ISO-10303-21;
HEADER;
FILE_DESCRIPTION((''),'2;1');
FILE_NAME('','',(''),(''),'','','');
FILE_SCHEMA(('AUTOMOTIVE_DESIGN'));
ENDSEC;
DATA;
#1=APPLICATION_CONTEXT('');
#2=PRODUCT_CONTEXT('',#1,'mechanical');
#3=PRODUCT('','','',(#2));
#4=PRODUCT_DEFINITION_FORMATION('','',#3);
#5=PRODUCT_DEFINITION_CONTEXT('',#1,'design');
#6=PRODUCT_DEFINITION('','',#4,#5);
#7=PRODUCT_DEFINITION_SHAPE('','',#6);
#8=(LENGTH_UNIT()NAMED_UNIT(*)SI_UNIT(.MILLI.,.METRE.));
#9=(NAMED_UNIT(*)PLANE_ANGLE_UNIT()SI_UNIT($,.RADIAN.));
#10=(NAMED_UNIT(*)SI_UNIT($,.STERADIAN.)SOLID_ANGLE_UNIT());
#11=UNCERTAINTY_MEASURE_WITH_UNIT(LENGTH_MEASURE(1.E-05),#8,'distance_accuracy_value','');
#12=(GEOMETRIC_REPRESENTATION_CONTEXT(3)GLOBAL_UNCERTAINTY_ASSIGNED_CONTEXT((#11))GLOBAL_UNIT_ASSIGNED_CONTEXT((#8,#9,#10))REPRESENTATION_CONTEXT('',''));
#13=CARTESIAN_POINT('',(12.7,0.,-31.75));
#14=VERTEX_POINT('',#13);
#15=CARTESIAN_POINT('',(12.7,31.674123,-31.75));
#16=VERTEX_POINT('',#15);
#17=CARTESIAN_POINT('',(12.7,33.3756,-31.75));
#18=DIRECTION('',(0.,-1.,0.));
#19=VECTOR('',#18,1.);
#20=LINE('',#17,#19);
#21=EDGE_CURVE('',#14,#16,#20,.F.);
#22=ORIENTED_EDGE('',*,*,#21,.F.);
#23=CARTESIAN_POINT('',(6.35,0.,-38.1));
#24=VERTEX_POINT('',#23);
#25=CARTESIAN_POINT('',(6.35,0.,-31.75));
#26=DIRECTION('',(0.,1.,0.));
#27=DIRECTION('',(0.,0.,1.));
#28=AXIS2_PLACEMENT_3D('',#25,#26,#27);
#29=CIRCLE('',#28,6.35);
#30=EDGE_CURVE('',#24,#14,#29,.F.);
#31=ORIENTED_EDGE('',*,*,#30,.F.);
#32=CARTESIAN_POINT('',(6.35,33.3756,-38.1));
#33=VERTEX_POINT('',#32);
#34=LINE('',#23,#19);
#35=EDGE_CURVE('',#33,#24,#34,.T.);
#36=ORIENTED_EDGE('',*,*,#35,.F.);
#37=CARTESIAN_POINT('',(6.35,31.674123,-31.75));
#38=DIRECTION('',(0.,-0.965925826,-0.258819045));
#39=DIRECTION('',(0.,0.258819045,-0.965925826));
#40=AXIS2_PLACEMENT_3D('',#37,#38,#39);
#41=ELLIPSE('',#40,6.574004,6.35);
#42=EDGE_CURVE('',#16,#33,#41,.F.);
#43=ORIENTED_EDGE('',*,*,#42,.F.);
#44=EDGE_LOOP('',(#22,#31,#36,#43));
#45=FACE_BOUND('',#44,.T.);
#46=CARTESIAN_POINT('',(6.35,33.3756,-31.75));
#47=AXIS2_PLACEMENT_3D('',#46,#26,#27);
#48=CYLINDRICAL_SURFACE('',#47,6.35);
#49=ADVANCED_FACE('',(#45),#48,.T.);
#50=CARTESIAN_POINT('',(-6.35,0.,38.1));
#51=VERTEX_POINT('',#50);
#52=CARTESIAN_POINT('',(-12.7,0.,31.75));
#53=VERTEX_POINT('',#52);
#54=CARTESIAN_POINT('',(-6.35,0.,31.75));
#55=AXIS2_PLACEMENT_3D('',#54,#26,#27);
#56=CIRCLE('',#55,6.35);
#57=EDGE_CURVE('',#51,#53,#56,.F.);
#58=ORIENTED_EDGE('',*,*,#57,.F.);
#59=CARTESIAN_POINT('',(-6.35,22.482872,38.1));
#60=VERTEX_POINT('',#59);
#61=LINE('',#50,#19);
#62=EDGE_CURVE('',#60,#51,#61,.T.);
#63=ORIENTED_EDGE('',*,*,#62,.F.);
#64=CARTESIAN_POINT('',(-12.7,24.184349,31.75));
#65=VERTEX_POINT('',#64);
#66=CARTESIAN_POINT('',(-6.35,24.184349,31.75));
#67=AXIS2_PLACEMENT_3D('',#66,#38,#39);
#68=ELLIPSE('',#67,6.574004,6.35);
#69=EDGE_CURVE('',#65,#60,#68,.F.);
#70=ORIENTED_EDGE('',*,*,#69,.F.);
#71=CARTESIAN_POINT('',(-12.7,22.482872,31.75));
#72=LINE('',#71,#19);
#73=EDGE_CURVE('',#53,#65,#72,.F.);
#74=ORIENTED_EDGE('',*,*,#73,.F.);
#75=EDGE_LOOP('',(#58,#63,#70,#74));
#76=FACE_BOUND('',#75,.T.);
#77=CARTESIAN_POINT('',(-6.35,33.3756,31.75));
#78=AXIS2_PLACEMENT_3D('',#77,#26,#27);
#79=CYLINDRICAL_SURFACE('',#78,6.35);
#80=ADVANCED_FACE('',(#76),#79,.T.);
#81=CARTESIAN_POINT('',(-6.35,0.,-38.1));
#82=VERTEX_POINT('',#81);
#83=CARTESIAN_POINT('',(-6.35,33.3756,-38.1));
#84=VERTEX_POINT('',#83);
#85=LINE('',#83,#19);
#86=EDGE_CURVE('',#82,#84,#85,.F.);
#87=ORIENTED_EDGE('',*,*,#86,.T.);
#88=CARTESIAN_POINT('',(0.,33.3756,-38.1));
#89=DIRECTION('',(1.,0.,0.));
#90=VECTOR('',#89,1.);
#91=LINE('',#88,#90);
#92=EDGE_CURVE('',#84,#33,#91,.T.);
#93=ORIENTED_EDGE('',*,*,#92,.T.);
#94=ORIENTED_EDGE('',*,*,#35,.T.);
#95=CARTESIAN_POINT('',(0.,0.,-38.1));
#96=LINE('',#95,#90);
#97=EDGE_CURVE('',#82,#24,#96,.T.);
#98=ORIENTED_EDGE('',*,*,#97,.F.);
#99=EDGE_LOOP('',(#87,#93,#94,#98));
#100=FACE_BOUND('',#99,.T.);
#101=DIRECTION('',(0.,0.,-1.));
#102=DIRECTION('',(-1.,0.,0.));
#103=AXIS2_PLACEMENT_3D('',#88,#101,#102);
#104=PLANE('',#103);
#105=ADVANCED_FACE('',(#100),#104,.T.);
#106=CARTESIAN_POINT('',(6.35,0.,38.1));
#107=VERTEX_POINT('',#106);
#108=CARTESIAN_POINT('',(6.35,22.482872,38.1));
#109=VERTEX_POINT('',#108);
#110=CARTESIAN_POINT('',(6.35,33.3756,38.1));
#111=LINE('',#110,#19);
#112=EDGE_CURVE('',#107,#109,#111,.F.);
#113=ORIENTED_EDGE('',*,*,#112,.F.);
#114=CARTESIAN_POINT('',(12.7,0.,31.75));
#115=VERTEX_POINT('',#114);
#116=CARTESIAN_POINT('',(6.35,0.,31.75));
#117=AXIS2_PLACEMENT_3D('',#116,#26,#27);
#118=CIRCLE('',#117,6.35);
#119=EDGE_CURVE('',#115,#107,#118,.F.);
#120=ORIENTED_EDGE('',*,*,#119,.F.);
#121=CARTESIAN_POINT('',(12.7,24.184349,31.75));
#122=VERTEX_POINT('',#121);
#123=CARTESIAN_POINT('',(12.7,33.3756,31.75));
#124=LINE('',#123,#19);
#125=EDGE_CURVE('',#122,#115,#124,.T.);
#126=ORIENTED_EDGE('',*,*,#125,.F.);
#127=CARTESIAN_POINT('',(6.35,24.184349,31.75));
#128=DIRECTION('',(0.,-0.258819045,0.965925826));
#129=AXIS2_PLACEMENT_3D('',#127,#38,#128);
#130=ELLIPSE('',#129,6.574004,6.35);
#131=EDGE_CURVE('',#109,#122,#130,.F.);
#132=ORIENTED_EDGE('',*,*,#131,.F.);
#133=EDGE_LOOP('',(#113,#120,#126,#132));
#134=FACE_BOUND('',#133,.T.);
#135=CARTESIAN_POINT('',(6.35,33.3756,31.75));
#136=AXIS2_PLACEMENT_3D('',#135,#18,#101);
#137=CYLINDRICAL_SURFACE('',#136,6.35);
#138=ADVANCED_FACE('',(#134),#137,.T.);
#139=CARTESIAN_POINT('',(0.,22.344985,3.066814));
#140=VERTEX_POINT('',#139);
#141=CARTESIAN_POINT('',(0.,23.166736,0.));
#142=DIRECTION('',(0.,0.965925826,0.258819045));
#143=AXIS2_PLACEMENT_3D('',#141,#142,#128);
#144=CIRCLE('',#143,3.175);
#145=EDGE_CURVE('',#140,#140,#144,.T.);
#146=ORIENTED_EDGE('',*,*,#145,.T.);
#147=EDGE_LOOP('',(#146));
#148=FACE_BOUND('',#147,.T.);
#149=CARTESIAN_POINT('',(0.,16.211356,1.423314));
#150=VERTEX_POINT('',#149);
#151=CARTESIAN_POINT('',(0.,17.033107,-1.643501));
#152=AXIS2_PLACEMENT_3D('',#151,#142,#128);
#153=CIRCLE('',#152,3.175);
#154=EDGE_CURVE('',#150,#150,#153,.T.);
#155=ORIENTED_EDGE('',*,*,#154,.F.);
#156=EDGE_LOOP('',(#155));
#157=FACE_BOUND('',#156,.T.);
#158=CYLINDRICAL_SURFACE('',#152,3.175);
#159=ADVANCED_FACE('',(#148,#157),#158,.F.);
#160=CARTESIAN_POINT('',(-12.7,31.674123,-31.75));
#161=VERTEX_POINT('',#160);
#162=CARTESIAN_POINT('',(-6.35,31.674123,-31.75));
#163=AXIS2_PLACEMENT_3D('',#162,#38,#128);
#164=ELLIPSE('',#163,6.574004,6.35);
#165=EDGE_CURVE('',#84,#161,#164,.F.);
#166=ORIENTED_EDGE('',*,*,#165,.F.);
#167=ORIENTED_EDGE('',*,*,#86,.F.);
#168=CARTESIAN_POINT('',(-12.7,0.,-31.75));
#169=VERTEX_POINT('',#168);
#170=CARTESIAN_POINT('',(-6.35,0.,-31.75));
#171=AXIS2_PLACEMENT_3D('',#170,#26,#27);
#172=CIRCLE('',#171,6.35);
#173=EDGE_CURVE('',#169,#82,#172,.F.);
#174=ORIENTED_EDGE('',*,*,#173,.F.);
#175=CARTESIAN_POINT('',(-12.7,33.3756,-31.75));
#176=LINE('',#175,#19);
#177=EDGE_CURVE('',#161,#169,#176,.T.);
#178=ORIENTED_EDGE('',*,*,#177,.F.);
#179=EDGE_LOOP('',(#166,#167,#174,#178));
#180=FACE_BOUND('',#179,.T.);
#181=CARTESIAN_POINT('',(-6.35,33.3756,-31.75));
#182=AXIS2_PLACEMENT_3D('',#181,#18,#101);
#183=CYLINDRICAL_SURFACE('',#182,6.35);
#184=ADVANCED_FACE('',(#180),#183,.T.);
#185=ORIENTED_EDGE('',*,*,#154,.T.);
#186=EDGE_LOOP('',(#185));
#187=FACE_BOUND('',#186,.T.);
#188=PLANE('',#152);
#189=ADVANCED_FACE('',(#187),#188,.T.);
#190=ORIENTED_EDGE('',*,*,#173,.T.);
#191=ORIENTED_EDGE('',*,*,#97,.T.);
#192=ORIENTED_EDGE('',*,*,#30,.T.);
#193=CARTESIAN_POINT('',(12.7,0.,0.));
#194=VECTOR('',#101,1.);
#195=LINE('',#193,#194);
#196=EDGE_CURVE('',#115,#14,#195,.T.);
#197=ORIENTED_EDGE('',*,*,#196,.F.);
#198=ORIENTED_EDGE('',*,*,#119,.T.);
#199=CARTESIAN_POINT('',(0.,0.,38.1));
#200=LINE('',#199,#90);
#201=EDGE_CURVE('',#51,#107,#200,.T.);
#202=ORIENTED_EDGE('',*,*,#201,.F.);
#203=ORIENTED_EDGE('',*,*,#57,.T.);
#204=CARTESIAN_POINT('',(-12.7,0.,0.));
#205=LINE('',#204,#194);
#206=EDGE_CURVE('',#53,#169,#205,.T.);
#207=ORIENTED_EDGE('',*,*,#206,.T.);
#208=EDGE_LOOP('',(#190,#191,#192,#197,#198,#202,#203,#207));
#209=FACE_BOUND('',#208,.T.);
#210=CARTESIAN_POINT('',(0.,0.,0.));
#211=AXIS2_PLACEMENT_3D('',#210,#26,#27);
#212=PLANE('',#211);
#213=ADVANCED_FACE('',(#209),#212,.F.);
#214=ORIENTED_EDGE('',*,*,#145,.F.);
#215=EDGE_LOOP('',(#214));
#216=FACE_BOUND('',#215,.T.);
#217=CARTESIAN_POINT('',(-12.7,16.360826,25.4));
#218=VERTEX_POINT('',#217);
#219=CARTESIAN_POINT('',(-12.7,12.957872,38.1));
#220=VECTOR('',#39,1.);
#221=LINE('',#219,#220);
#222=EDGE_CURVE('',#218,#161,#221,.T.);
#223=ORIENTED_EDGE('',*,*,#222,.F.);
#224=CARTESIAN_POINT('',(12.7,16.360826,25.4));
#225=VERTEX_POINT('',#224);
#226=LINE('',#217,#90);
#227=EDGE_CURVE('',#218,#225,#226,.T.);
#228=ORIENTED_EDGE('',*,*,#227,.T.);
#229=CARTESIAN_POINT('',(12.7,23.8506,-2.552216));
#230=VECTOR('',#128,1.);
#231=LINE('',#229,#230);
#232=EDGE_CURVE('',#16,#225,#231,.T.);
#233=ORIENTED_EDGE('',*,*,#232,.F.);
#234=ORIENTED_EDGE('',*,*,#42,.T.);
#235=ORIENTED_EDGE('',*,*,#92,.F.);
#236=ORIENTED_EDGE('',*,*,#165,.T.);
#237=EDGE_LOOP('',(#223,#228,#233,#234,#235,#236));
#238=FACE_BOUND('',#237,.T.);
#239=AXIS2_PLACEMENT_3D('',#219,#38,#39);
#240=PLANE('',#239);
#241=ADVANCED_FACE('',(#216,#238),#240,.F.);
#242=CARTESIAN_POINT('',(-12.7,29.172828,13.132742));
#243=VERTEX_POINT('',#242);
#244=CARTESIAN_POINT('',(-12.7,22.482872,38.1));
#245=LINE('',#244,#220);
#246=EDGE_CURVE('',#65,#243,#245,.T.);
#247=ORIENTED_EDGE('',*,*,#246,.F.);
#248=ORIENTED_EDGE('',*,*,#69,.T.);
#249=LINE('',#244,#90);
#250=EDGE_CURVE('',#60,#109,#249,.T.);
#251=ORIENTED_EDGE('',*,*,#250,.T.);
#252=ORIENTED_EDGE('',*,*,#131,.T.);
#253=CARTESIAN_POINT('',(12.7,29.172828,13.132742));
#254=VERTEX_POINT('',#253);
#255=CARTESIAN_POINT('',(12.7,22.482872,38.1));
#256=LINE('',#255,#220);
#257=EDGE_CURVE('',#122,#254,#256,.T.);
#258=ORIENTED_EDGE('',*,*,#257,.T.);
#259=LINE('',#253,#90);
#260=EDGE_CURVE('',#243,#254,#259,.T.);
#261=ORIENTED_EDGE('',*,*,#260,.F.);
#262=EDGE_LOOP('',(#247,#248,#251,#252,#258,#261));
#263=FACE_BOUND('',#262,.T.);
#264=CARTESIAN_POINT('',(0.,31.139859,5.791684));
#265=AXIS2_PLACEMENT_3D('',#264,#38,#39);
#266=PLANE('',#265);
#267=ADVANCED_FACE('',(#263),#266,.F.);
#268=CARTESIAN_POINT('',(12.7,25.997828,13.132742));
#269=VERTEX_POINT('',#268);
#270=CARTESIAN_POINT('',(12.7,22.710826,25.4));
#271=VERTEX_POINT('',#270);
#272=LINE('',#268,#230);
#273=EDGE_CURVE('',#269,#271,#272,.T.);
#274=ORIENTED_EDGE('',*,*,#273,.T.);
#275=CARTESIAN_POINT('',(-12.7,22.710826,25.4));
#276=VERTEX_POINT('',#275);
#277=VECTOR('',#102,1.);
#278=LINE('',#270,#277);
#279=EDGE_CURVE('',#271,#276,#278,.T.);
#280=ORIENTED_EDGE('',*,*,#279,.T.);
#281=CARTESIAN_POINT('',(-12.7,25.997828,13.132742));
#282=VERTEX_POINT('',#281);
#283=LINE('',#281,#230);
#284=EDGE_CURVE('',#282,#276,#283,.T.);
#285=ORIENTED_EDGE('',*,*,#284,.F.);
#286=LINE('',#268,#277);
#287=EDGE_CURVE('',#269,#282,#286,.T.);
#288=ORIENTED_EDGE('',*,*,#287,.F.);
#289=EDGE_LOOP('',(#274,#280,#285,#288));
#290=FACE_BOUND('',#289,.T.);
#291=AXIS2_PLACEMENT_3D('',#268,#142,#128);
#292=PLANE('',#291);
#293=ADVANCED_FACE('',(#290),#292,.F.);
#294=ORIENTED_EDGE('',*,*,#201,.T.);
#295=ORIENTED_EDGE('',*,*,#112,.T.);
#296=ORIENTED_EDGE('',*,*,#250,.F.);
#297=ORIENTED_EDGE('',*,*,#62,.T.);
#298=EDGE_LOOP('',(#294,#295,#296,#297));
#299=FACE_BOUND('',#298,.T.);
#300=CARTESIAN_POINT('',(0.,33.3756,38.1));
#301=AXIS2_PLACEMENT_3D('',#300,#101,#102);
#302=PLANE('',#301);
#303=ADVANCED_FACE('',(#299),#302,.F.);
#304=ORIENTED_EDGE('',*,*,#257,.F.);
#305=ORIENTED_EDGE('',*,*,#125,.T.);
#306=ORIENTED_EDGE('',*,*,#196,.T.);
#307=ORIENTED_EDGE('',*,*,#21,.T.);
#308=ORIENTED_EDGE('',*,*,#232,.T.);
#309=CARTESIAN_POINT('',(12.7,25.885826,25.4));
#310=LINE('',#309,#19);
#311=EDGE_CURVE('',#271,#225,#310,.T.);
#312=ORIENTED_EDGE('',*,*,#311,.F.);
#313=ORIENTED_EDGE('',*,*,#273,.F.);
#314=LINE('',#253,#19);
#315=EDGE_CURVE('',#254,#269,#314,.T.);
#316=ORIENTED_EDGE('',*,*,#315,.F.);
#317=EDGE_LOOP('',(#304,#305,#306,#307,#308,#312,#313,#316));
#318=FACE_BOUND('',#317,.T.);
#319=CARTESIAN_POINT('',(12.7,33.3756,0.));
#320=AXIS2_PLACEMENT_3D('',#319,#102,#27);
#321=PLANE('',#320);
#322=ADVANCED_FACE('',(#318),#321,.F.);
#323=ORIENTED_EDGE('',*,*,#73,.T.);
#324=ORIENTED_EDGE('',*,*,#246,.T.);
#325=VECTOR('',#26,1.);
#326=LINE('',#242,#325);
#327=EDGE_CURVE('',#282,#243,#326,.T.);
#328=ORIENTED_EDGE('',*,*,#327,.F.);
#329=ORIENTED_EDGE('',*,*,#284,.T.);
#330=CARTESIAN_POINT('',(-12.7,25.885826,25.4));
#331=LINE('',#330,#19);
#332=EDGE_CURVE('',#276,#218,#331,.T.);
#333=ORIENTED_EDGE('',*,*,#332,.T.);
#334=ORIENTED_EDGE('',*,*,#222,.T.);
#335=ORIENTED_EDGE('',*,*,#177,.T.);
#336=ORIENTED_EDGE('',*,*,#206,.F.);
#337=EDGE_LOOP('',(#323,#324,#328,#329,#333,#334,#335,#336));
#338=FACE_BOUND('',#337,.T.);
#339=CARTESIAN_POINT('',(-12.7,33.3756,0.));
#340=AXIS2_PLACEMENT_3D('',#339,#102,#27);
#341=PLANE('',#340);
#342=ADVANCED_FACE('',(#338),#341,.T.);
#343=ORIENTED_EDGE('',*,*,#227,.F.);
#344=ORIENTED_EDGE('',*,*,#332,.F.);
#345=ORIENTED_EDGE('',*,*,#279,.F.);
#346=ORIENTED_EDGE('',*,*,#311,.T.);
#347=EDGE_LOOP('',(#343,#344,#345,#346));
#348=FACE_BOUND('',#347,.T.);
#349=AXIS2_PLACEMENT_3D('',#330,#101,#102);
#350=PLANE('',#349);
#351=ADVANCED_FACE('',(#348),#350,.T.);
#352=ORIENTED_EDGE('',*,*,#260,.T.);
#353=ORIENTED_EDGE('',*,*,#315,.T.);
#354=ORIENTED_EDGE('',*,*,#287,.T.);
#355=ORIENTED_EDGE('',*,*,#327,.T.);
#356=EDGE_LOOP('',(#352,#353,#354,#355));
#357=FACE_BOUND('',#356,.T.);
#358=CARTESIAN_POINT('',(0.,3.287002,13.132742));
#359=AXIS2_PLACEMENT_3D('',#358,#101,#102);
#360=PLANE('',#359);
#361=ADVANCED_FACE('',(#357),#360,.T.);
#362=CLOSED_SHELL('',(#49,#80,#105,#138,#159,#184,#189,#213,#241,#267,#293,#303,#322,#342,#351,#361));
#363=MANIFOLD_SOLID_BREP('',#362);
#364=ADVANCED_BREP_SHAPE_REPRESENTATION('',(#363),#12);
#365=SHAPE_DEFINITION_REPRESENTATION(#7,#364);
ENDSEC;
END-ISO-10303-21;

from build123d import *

# Parameters (mm, degrees)
SKETCH1_W               = 25.4
SKETCH1_H               = 76.2
BOSS_EXTRUDE1_DEPTH     = 33.3756
CUT_EXTRUDE2_DEPTH      = 57.663045059
CUT_EXTRUDE2_DEPTH_BACK = 57.663045059
SKETCH5_R               = 3.175
CUT_EXTRUDE3_DEPTH      = 6.35
BOSS_EXTRUDE2_REACH     = 63.744
SKETCH1_5_W             = 25.4
SKETCH1_5_H             = 12.7
SKETCH7_W               = 25.4
SKETCH7_H               = 3.175
BOSS_EXTRUDE3_DEPTH     = 12.7
FILLET1_R               = 6.35


with BuildPart() as part:
    # Sketch1 → Boss-Extrude1 (new body)
    with BuildSketch(Plane(origin=(0, 0, 0), x_dir=(1, 0, 0), z_dir=(0, 1, 0))):
        Rectangle(SKETCH1_W, SKETCH1_H)
    extrude(amount=BOSS_EXTRUDE1_DEPTH)

    # Sketch4 → Cut-Extrude2 (cut, two sides: drawn at the far end of the back side and taken through both)
    with BuildSketch(Plane(origin=(12.7, 0, 0), x_dir=(0, 0, -1), z_dir=(1, 0, 0)).offset(-CUT_EXTRUDE2_DEPTH_BACK)):
        Polygon((38.1, 33.3756), (-38.1, 33.3756), (-38.1, 12.957871537), align=None)
    extrude(amount=CUT_EXTRUDE2_DEPTH + CUT_EXTRUDE2_DEPTH_BACK, mode=Mode.SUBTRACT)

    # Sketch5 → Cut-Extrude3 (cut)
    with BuildSketch(Plane(origin=(0, 21.614858733, 5.791683942), x_dir=(1, 0, 0), z_dir=(0, 0.9659258262890681, 0.2588190451025215))):
        with Locations((0, 5.99599243)):
            Circle(SKETCH5_R)
    extrude(amount=-CUT_EXTRUDE3_DEPTH, mode=Mode.SUBTRACT)

    # Boss-Extrude2: from a plane face, 63.744 long prism both ways, kept between that surface and its translate by the depth
    boss_extrude2_start = Plane(origin=(-12.7, 12.957871537, 38.1), z_dir=(0, -0.9659258262890681, -0.2588190451025217)) * Box(256.976, 256.976, 128.488, align=(Align.CENTER, Align.CENTER, Align.MIN), mode=Mode.PRIVATE)
    boss_extrude2_end = Plane(origin=(-12.7, 22.482871537, 38.1), z_dir=(0, -0.9659258262890681, -0.2588190451025217)) * Box(256.976, 256.976, 128.488, align=(Align.CENTER, Align.CENTER, Align.MIN), mode=Mode.PRIVATE)
    # Sketch1<5> → Boss-Extrude2 (add, from a surface)
    with BuildSketch(Plane(origin=(0, 0, 0), x_dir=(1, 0, 0), z_dir=(0, 1, 0)), mode=Mode.PRIVATE) as boss_extrude2_sk1:
        with Locations((0, -31.75)):
            Rectangle(SKETCH1_5_W, SKETCH1_5_H)
    boss_extrude2_tool1 = extrude(boss_extrude2_sk1.sketch, amount=BOSS_EXTRUDE2_REACH, both=True, mode=Mode.PRIVATE)
    add(((boss_extrude2_tool1 - boss_extrude2_start) & boss_extrude2_end).solids().sort_by_distance((0, 22.344985, 3.066814))[0])

    # Sketch7 → Boss-Extrude3 (add, along a direction that is not the sketch's normal)
    with BuildSketch(Plane(origin=(0, 0, 25.4), x_dir=(-1, 0, 0), z_dir=(0, 0, -1))):
        with Locations((0, 24.298326281)):
            Rectangle(SKETCH7_W, SKETCH7_H)
    extrude(amount=BOSS_EXTRUDE3_DEPTH, dir=(0, 0.2588190451025216, -0.965925826289068))

    # Fillet1
    fillet1_edges = [part.edges().sort_by_distance(p)[0] for p in [
        (-12.7, 16.6878, -38.1),
        (-12.7, 11.241435768, 38.1),
        (12.7, 16.6878, -38.1),
        (12.7, 11.241435768, 38.1),
    ]]
    fillet(fillet1_edges, radius=FILLET1_R)


solid = part.part
